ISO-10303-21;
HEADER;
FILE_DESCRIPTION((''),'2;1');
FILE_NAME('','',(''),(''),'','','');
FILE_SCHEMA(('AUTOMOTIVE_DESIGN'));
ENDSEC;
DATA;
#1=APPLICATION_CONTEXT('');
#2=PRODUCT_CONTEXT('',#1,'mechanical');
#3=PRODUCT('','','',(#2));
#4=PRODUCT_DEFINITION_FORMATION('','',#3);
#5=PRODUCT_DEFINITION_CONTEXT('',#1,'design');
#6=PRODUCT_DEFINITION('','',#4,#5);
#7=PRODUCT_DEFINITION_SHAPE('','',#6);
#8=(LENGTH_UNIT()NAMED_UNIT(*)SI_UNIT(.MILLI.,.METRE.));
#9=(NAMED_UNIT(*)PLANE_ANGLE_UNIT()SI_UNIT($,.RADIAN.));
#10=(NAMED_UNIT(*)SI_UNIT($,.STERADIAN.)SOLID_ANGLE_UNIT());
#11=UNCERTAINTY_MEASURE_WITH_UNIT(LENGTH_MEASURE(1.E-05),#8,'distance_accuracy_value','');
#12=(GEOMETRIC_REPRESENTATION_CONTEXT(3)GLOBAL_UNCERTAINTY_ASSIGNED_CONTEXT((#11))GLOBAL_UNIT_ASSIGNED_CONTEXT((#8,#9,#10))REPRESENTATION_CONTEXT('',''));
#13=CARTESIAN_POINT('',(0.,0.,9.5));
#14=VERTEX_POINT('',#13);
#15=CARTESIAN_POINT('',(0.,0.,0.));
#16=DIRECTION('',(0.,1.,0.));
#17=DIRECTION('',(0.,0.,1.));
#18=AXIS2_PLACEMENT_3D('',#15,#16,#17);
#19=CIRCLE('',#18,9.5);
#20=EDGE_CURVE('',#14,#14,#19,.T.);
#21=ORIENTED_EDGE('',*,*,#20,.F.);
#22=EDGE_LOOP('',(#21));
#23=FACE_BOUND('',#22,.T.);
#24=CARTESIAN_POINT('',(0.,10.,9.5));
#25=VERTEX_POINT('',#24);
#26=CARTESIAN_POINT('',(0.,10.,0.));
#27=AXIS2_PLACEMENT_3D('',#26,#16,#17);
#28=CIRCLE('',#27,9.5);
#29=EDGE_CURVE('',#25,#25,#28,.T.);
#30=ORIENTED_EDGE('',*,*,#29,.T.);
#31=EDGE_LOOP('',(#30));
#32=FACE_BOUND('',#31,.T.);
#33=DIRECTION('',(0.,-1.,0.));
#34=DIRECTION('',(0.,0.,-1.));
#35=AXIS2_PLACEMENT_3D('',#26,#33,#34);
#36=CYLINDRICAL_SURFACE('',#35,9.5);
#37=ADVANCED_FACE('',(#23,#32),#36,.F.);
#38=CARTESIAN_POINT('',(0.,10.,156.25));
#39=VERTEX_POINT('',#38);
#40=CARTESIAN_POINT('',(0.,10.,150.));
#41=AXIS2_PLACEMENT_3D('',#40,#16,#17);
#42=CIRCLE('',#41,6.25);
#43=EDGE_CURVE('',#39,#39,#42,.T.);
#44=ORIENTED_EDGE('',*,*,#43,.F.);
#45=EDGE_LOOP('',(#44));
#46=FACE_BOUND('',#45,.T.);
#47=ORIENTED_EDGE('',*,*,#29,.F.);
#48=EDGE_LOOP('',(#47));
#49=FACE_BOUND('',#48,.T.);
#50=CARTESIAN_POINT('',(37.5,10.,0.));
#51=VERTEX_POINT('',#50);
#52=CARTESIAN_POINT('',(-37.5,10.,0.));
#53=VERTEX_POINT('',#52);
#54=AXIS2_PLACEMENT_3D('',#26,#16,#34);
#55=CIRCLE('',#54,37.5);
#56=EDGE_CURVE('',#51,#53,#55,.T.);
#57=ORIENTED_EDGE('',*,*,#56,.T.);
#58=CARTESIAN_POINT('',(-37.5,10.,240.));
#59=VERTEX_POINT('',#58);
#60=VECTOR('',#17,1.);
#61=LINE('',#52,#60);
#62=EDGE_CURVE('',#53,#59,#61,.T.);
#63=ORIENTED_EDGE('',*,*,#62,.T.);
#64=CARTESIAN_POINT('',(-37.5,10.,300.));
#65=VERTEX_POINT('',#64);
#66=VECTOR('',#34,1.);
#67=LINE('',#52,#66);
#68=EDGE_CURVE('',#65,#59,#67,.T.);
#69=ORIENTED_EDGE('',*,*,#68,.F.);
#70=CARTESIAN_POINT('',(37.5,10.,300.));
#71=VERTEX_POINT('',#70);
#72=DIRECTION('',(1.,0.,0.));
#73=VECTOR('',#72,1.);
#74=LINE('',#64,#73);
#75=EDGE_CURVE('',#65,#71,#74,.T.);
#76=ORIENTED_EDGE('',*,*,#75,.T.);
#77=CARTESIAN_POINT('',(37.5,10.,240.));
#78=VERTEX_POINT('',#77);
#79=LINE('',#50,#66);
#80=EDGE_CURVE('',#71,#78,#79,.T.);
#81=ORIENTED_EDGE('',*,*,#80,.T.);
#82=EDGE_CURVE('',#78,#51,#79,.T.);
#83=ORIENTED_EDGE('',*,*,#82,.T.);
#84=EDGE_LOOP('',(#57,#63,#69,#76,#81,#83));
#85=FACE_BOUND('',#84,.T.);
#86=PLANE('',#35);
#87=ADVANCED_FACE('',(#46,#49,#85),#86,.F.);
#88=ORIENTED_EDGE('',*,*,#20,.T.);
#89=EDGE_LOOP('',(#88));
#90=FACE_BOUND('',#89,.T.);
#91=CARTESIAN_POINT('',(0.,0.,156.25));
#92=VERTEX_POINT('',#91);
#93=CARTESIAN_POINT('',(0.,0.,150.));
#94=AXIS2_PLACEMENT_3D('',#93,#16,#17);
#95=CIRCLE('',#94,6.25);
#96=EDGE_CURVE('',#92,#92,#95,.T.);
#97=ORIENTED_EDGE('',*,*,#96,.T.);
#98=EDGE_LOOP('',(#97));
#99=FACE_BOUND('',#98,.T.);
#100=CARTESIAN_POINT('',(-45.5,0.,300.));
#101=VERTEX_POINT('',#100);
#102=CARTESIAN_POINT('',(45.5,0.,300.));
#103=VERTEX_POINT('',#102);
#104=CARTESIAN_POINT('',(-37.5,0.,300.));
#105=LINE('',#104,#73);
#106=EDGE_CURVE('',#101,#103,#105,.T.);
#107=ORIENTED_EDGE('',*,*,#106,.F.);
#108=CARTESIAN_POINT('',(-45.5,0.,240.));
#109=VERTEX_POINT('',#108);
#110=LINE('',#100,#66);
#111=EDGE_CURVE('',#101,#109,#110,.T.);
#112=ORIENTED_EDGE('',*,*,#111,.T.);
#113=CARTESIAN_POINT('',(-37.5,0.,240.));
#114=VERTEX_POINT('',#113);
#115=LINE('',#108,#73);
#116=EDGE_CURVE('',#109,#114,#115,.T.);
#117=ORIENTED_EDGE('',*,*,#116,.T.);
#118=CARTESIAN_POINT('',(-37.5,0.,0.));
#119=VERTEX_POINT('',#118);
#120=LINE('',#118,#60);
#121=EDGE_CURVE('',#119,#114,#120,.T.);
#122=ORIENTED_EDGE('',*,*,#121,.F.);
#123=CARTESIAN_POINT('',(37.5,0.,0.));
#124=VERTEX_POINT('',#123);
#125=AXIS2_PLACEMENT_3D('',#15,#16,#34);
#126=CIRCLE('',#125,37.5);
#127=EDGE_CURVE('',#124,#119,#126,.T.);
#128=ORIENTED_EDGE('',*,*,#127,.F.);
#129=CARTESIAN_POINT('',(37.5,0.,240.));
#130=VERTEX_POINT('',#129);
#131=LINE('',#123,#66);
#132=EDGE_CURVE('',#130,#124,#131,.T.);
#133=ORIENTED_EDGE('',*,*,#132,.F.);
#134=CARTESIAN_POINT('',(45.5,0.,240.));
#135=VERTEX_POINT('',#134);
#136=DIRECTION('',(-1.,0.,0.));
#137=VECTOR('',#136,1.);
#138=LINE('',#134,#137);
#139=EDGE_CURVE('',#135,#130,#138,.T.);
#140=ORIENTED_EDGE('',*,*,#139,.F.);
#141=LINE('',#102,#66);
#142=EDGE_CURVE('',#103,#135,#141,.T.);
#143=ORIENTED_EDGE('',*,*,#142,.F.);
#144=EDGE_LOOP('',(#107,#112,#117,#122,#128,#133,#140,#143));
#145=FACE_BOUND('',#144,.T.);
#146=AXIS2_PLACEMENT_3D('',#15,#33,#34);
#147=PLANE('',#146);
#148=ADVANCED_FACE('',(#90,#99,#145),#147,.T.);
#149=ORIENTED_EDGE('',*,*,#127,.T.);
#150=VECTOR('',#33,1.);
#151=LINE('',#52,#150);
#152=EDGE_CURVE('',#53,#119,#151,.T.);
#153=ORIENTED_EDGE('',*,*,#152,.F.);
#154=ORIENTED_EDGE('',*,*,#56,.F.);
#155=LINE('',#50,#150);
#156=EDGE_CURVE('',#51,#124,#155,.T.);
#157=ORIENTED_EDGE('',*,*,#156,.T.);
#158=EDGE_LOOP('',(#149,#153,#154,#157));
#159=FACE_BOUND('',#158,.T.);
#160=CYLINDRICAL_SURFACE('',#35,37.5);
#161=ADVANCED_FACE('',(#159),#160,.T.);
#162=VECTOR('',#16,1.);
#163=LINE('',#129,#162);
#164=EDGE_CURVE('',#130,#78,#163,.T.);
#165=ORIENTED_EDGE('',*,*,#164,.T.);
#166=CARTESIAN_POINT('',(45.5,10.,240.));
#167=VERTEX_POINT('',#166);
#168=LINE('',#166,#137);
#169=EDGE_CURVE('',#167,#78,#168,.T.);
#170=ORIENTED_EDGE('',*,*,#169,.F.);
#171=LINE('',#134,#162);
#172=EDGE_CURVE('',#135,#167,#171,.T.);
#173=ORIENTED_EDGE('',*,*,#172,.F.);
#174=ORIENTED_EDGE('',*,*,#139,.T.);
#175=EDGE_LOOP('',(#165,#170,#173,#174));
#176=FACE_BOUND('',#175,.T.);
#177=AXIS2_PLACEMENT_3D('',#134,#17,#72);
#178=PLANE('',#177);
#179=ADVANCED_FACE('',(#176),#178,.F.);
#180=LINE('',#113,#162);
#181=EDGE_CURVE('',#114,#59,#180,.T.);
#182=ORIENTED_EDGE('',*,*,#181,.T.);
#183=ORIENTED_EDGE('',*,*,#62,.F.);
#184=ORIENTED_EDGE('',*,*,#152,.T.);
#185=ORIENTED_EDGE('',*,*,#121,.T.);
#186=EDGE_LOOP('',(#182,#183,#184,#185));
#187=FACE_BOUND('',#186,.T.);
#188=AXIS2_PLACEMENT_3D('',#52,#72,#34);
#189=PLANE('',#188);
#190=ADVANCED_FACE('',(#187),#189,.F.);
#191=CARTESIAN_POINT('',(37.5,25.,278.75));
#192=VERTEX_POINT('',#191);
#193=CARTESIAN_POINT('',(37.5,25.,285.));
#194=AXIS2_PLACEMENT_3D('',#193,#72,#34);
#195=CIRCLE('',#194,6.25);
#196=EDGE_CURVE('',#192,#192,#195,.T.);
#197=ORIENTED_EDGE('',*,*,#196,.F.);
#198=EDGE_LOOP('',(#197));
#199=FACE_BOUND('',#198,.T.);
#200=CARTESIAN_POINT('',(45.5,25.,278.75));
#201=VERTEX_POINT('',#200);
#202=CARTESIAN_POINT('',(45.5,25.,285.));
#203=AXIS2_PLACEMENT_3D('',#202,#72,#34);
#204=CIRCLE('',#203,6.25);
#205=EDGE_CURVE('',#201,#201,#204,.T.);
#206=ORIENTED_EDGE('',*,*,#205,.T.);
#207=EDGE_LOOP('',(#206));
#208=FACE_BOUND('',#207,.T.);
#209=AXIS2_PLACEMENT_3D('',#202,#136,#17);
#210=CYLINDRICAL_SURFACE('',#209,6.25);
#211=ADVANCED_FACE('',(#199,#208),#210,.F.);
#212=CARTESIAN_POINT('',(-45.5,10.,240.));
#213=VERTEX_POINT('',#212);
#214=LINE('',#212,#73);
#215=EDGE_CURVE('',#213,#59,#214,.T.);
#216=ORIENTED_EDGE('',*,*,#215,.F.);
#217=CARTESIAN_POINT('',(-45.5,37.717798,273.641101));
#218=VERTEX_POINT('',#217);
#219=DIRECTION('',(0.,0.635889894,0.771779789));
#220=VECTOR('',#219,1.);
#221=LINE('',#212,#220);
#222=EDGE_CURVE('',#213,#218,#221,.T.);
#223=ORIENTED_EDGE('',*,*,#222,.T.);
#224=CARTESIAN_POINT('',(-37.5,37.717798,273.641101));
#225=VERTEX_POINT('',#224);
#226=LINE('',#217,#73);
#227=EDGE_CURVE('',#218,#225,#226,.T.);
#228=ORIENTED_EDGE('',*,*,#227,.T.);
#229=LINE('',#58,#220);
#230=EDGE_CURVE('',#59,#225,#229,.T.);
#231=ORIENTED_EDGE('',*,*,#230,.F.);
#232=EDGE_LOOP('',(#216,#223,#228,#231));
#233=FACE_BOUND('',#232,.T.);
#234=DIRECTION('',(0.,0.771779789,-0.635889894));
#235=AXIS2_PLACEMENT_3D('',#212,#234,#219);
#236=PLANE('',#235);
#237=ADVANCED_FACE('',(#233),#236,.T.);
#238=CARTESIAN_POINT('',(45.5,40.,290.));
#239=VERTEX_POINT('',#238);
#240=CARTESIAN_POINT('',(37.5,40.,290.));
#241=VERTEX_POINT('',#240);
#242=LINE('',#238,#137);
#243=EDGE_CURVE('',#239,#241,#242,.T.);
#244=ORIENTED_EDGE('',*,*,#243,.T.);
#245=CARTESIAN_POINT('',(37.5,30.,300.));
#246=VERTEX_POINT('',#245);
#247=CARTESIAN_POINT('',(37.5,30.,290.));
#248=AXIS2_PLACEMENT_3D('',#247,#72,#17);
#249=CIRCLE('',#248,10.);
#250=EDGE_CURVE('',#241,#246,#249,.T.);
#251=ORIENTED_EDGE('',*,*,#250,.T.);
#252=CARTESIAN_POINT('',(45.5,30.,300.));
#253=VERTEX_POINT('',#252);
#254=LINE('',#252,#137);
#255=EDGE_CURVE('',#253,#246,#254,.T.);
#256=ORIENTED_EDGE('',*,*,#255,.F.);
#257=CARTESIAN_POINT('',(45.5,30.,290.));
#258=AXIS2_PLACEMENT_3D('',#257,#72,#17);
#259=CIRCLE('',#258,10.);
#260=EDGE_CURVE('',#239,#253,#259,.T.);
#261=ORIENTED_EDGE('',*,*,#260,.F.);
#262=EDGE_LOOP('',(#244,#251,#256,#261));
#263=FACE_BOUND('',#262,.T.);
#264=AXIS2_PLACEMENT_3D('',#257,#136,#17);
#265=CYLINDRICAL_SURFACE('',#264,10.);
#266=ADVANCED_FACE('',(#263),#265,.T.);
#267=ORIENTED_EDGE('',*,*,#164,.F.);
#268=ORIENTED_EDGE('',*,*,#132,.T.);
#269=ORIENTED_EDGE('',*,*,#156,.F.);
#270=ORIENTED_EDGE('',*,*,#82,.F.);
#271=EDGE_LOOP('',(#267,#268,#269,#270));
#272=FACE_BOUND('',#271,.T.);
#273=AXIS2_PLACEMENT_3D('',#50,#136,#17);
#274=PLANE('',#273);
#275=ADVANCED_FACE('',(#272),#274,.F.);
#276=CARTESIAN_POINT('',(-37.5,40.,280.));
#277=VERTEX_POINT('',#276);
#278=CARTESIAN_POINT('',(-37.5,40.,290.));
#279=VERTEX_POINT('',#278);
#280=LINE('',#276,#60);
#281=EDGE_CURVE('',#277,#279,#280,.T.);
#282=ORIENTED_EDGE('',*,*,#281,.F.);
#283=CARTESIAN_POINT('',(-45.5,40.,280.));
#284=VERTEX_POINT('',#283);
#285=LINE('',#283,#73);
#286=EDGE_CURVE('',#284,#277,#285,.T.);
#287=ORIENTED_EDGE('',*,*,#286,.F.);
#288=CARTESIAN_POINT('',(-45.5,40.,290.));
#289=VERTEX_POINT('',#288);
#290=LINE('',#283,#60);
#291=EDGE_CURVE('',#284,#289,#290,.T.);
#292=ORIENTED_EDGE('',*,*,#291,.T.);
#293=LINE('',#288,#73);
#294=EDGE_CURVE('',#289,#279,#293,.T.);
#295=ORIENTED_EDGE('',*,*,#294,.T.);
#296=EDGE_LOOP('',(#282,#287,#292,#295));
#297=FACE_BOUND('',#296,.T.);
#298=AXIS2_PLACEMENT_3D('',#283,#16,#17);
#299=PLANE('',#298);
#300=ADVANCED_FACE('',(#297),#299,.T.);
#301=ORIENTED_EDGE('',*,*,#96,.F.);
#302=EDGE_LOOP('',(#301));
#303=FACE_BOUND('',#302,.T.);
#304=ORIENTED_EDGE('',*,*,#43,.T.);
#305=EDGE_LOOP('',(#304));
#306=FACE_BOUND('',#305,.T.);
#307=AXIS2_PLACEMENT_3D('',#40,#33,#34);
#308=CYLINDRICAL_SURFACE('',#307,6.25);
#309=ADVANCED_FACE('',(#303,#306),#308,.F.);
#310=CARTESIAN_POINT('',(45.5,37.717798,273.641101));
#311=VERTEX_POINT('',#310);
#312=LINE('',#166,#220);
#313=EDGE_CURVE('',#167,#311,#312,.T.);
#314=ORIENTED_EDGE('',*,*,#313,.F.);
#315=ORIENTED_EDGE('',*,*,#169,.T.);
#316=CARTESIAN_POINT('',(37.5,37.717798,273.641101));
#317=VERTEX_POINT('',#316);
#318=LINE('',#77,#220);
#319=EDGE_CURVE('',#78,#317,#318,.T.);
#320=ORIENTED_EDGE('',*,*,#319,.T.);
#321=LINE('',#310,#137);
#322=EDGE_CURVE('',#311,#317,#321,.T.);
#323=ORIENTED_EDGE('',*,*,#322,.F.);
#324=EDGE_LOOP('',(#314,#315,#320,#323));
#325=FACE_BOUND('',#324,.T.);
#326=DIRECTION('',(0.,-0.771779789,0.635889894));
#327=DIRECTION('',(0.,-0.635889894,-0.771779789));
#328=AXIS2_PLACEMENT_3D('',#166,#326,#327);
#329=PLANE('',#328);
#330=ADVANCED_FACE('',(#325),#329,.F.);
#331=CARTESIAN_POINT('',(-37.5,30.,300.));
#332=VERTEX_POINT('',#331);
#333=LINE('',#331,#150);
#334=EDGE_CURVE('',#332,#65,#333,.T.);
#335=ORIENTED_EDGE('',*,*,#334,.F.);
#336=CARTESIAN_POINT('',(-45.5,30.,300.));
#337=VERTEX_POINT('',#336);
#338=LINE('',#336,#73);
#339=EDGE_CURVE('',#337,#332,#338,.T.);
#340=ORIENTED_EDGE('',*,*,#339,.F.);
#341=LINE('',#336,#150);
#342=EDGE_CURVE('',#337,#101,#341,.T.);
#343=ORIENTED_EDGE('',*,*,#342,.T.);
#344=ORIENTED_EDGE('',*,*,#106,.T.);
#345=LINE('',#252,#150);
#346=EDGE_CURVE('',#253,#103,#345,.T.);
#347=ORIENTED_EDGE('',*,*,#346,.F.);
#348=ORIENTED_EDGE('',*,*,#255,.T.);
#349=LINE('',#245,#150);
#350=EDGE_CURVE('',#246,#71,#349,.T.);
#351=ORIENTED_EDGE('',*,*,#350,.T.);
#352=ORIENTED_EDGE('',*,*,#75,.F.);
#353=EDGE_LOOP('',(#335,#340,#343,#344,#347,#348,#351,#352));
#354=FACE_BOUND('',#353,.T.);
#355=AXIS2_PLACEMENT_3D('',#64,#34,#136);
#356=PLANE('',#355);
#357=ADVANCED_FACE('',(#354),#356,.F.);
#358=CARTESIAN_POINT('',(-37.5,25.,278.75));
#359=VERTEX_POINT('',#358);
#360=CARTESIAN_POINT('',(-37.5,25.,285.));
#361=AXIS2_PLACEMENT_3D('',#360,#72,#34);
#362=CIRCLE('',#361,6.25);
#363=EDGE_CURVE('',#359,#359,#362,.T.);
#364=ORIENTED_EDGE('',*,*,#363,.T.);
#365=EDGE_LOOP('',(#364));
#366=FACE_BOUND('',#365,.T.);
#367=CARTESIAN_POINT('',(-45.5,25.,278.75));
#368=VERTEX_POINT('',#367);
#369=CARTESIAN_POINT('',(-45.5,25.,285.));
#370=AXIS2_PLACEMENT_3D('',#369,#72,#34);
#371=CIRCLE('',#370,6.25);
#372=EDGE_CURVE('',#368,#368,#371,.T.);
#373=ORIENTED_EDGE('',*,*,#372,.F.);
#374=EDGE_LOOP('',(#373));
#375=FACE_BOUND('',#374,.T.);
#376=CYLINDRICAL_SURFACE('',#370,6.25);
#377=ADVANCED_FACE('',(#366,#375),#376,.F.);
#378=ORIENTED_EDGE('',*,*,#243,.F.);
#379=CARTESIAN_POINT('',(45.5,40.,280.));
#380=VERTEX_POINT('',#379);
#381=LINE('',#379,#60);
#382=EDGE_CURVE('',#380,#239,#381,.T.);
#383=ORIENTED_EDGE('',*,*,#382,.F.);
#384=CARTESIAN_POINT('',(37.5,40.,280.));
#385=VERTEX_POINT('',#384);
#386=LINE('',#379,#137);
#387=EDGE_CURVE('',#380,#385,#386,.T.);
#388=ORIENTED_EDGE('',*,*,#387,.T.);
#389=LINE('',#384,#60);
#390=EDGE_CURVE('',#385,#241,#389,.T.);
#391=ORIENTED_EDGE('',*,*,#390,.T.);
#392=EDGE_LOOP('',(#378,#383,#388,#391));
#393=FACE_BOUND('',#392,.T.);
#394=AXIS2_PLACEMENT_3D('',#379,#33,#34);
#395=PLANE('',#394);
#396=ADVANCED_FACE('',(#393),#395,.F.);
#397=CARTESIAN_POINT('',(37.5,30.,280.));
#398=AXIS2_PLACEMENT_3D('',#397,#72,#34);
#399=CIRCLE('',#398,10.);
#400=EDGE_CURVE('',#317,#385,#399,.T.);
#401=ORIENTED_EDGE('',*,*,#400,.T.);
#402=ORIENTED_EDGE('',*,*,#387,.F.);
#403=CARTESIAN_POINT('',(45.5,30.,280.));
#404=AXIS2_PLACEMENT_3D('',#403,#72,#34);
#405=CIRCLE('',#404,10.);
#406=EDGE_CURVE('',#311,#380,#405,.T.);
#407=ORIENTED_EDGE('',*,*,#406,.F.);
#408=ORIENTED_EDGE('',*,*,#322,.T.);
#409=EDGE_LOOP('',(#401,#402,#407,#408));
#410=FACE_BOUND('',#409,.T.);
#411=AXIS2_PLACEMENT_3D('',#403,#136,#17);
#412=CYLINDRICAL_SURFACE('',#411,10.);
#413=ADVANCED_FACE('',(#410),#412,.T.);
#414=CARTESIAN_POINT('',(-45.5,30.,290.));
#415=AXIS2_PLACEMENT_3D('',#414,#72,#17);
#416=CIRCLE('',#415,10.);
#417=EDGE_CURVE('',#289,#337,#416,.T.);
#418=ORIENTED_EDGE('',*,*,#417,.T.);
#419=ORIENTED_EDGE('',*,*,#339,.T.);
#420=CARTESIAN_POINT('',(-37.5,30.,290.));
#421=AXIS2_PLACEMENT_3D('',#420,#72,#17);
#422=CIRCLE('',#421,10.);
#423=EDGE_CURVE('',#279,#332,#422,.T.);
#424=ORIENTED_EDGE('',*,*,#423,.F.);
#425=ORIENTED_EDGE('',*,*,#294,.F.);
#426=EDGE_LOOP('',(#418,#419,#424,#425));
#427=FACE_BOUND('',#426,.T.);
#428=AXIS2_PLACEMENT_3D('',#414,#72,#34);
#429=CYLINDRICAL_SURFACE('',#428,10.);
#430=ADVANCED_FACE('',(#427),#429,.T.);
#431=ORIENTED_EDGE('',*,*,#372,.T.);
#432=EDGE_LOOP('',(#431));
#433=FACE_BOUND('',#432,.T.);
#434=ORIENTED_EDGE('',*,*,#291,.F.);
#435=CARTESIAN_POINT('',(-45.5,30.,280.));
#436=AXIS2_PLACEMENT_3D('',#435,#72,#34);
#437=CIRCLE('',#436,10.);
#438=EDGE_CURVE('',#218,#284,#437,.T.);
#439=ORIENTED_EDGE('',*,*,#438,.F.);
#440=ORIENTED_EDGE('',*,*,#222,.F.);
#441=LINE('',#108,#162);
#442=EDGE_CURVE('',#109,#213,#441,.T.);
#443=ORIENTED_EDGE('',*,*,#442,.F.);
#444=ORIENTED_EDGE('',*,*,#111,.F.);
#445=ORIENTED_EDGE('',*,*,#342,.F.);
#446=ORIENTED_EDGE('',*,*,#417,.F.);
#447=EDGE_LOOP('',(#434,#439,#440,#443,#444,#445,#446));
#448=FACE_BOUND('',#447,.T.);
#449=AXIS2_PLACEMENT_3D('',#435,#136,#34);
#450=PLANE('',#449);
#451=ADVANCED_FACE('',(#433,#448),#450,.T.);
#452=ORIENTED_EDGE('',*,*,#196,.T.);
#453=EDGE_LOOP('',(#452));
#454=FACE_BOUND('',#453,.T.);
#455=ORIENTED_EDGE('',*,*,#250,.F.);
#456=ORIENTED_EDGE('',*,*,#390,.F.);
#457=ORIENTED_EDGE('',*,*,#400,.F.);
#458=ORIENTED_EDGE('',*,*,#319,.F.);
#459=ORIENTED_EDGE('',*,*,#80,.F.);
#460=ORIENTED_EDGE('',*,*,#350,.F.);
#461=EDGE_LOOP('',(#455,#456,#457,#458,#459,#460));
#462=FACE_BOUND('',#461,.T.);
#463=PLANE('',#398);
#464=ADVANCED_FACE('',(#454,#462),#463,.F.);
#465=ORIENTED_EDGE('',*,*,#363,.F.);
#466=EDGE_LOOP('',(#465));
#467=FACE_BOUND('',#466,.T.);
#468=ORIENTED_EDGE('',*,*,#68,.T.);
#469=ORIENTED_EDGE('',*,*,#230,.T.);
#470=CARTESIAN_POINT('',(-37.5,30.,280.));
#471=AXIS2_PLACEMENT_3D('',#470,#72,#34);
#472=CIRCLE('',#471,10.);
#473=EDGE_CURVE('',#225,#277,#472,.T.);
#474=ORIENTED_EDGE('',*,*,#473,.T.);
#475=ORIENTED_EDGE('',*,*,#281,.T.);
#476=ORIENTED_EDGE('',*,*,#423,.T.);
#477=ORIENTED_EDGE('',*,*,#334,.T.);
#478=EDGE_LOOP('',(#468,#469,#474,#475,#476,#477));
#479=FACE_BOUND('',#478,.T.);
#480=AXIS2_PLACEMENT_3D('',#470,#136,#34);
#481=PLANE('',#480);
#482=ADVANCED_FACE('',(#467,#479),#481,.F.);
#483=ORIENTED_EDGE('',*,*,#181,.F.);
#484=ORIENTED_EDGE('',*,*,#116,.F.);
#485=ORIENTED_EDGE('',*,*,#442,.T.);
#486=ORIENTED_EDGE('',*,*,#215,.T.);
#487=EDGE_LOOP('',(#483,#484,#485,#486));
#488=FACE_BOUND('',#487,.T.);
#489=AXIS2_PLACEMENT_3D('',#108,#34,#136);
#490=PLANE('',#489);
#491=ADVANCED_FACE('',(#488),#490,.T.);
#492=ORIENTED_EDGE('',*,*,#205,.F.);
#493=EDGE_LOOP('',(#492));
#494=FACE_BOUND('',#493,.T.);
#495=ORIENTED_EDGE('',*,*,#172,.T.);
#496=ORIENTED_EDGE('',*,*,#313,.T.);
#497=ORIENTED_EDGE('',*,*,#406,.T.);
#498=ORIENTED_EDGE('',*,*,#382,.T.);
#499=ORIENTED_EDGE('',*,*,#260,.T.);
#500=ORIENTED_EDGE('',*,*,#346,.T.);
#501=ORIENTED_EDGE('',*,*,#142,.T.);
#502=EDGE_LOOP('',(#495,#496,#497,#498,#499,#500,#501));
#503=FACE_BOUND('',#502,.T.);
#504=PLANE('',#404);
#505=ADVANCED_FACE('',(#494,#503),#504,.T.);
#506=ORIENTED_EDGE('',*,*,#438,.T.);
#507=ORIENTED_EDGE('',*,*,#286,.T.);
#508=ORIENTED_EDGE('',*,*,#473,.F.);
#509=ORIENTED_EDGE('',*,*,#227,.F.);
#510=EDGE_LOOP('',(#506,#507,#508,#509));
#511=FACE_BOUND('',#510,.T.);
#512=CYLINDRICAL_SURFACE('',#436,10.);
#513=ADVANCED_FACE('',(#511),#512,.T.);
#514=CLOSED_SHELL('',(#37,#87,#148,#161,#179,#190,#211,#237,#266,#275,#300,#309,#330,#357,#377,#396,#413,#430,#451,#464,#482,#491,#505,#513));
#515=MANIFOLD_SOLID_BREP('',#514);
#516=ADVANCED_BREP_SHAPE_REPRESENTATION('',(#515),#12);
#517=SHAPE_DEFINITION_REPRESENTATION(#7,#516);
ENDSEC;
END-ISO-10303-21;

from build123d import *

# Parameters (mm, degrees)
SKETCH1_R           = 6.25
SKETCH1_R_2         = 9.5
BOSS_EXTRUDE1_DEPTH = 10
SKETCH4_R           = 6.25
BOSS_EXTRUDE3_DEPTH = 8


with BuildPart() as part:
    # Sketch1 → Boss-Extrude1 (new body)
    with BuildSketch(Plane(origin=(0, 0, 0), x_dir=(1, 0, 0), z_dir=(0, 1, 0))):
        with BuildLine():
            Line((-37.5, 0), (-37.5, -300))
            Line((-37.5, -300), (37.5, -300))
            Line((37.5, -300), (37.5, 0))
            ThreePointArc((37.5, 0), (0, 37.5), (-37.5, 0))
        make_face()
        with Locations(Location((0, -150, 0), (0, 0, 270))):
            Circle(SKETCH1_R, mode=Mode.SUBTRACT)
        with Locations(Location((0, 0, 0), (0, 0, 270))):
            Circle(SKETCH1_R_2, mode=Mode.SUBTRACT)
    extrude(amount=BOSS_EXTRUDE1_DEPTH)

    # Sketch4 → Boss-Extrude3 (add)
    with BuildSketch(Plane(origin=(37.5, 0, 0), x_dir=(0, 0, -1), z_dir=(1, 0, 0))):
        with BuildLine():
            Line((-240, 0), (-240, 10))
            Line((-240, 10), (-273.641101056, 37.717797887))
            ThreePointArc((-273.641101056, 37.717797887), (-276.621981266, 39.412172408), (-280, 40))
            Line((-280, 40), (-290, 40))
            ThreePointArc((-290, 40), (-297.071067812, 37.071067812), (-300, 30))
            Line((-300, 30), (-300, 0))
            Line((-300, 0), (-240, 0))
        make_face()
        with Locations((-285, 25)):
            Circle(SKETCH4_R, mode=Mode.SUBTRACT)
    boss_extrude3 = extrude(amount=BOSS_EXTRUDE3_DEPTH)

    # Mirror1: Boss-Extrude3 across plane
    add(boss_extrude3.mirror(Plane(origin=(0, 0, 0), x_dir=(0, 0, 1), z_dir=(1, 0, 0))))


solid = part.part
